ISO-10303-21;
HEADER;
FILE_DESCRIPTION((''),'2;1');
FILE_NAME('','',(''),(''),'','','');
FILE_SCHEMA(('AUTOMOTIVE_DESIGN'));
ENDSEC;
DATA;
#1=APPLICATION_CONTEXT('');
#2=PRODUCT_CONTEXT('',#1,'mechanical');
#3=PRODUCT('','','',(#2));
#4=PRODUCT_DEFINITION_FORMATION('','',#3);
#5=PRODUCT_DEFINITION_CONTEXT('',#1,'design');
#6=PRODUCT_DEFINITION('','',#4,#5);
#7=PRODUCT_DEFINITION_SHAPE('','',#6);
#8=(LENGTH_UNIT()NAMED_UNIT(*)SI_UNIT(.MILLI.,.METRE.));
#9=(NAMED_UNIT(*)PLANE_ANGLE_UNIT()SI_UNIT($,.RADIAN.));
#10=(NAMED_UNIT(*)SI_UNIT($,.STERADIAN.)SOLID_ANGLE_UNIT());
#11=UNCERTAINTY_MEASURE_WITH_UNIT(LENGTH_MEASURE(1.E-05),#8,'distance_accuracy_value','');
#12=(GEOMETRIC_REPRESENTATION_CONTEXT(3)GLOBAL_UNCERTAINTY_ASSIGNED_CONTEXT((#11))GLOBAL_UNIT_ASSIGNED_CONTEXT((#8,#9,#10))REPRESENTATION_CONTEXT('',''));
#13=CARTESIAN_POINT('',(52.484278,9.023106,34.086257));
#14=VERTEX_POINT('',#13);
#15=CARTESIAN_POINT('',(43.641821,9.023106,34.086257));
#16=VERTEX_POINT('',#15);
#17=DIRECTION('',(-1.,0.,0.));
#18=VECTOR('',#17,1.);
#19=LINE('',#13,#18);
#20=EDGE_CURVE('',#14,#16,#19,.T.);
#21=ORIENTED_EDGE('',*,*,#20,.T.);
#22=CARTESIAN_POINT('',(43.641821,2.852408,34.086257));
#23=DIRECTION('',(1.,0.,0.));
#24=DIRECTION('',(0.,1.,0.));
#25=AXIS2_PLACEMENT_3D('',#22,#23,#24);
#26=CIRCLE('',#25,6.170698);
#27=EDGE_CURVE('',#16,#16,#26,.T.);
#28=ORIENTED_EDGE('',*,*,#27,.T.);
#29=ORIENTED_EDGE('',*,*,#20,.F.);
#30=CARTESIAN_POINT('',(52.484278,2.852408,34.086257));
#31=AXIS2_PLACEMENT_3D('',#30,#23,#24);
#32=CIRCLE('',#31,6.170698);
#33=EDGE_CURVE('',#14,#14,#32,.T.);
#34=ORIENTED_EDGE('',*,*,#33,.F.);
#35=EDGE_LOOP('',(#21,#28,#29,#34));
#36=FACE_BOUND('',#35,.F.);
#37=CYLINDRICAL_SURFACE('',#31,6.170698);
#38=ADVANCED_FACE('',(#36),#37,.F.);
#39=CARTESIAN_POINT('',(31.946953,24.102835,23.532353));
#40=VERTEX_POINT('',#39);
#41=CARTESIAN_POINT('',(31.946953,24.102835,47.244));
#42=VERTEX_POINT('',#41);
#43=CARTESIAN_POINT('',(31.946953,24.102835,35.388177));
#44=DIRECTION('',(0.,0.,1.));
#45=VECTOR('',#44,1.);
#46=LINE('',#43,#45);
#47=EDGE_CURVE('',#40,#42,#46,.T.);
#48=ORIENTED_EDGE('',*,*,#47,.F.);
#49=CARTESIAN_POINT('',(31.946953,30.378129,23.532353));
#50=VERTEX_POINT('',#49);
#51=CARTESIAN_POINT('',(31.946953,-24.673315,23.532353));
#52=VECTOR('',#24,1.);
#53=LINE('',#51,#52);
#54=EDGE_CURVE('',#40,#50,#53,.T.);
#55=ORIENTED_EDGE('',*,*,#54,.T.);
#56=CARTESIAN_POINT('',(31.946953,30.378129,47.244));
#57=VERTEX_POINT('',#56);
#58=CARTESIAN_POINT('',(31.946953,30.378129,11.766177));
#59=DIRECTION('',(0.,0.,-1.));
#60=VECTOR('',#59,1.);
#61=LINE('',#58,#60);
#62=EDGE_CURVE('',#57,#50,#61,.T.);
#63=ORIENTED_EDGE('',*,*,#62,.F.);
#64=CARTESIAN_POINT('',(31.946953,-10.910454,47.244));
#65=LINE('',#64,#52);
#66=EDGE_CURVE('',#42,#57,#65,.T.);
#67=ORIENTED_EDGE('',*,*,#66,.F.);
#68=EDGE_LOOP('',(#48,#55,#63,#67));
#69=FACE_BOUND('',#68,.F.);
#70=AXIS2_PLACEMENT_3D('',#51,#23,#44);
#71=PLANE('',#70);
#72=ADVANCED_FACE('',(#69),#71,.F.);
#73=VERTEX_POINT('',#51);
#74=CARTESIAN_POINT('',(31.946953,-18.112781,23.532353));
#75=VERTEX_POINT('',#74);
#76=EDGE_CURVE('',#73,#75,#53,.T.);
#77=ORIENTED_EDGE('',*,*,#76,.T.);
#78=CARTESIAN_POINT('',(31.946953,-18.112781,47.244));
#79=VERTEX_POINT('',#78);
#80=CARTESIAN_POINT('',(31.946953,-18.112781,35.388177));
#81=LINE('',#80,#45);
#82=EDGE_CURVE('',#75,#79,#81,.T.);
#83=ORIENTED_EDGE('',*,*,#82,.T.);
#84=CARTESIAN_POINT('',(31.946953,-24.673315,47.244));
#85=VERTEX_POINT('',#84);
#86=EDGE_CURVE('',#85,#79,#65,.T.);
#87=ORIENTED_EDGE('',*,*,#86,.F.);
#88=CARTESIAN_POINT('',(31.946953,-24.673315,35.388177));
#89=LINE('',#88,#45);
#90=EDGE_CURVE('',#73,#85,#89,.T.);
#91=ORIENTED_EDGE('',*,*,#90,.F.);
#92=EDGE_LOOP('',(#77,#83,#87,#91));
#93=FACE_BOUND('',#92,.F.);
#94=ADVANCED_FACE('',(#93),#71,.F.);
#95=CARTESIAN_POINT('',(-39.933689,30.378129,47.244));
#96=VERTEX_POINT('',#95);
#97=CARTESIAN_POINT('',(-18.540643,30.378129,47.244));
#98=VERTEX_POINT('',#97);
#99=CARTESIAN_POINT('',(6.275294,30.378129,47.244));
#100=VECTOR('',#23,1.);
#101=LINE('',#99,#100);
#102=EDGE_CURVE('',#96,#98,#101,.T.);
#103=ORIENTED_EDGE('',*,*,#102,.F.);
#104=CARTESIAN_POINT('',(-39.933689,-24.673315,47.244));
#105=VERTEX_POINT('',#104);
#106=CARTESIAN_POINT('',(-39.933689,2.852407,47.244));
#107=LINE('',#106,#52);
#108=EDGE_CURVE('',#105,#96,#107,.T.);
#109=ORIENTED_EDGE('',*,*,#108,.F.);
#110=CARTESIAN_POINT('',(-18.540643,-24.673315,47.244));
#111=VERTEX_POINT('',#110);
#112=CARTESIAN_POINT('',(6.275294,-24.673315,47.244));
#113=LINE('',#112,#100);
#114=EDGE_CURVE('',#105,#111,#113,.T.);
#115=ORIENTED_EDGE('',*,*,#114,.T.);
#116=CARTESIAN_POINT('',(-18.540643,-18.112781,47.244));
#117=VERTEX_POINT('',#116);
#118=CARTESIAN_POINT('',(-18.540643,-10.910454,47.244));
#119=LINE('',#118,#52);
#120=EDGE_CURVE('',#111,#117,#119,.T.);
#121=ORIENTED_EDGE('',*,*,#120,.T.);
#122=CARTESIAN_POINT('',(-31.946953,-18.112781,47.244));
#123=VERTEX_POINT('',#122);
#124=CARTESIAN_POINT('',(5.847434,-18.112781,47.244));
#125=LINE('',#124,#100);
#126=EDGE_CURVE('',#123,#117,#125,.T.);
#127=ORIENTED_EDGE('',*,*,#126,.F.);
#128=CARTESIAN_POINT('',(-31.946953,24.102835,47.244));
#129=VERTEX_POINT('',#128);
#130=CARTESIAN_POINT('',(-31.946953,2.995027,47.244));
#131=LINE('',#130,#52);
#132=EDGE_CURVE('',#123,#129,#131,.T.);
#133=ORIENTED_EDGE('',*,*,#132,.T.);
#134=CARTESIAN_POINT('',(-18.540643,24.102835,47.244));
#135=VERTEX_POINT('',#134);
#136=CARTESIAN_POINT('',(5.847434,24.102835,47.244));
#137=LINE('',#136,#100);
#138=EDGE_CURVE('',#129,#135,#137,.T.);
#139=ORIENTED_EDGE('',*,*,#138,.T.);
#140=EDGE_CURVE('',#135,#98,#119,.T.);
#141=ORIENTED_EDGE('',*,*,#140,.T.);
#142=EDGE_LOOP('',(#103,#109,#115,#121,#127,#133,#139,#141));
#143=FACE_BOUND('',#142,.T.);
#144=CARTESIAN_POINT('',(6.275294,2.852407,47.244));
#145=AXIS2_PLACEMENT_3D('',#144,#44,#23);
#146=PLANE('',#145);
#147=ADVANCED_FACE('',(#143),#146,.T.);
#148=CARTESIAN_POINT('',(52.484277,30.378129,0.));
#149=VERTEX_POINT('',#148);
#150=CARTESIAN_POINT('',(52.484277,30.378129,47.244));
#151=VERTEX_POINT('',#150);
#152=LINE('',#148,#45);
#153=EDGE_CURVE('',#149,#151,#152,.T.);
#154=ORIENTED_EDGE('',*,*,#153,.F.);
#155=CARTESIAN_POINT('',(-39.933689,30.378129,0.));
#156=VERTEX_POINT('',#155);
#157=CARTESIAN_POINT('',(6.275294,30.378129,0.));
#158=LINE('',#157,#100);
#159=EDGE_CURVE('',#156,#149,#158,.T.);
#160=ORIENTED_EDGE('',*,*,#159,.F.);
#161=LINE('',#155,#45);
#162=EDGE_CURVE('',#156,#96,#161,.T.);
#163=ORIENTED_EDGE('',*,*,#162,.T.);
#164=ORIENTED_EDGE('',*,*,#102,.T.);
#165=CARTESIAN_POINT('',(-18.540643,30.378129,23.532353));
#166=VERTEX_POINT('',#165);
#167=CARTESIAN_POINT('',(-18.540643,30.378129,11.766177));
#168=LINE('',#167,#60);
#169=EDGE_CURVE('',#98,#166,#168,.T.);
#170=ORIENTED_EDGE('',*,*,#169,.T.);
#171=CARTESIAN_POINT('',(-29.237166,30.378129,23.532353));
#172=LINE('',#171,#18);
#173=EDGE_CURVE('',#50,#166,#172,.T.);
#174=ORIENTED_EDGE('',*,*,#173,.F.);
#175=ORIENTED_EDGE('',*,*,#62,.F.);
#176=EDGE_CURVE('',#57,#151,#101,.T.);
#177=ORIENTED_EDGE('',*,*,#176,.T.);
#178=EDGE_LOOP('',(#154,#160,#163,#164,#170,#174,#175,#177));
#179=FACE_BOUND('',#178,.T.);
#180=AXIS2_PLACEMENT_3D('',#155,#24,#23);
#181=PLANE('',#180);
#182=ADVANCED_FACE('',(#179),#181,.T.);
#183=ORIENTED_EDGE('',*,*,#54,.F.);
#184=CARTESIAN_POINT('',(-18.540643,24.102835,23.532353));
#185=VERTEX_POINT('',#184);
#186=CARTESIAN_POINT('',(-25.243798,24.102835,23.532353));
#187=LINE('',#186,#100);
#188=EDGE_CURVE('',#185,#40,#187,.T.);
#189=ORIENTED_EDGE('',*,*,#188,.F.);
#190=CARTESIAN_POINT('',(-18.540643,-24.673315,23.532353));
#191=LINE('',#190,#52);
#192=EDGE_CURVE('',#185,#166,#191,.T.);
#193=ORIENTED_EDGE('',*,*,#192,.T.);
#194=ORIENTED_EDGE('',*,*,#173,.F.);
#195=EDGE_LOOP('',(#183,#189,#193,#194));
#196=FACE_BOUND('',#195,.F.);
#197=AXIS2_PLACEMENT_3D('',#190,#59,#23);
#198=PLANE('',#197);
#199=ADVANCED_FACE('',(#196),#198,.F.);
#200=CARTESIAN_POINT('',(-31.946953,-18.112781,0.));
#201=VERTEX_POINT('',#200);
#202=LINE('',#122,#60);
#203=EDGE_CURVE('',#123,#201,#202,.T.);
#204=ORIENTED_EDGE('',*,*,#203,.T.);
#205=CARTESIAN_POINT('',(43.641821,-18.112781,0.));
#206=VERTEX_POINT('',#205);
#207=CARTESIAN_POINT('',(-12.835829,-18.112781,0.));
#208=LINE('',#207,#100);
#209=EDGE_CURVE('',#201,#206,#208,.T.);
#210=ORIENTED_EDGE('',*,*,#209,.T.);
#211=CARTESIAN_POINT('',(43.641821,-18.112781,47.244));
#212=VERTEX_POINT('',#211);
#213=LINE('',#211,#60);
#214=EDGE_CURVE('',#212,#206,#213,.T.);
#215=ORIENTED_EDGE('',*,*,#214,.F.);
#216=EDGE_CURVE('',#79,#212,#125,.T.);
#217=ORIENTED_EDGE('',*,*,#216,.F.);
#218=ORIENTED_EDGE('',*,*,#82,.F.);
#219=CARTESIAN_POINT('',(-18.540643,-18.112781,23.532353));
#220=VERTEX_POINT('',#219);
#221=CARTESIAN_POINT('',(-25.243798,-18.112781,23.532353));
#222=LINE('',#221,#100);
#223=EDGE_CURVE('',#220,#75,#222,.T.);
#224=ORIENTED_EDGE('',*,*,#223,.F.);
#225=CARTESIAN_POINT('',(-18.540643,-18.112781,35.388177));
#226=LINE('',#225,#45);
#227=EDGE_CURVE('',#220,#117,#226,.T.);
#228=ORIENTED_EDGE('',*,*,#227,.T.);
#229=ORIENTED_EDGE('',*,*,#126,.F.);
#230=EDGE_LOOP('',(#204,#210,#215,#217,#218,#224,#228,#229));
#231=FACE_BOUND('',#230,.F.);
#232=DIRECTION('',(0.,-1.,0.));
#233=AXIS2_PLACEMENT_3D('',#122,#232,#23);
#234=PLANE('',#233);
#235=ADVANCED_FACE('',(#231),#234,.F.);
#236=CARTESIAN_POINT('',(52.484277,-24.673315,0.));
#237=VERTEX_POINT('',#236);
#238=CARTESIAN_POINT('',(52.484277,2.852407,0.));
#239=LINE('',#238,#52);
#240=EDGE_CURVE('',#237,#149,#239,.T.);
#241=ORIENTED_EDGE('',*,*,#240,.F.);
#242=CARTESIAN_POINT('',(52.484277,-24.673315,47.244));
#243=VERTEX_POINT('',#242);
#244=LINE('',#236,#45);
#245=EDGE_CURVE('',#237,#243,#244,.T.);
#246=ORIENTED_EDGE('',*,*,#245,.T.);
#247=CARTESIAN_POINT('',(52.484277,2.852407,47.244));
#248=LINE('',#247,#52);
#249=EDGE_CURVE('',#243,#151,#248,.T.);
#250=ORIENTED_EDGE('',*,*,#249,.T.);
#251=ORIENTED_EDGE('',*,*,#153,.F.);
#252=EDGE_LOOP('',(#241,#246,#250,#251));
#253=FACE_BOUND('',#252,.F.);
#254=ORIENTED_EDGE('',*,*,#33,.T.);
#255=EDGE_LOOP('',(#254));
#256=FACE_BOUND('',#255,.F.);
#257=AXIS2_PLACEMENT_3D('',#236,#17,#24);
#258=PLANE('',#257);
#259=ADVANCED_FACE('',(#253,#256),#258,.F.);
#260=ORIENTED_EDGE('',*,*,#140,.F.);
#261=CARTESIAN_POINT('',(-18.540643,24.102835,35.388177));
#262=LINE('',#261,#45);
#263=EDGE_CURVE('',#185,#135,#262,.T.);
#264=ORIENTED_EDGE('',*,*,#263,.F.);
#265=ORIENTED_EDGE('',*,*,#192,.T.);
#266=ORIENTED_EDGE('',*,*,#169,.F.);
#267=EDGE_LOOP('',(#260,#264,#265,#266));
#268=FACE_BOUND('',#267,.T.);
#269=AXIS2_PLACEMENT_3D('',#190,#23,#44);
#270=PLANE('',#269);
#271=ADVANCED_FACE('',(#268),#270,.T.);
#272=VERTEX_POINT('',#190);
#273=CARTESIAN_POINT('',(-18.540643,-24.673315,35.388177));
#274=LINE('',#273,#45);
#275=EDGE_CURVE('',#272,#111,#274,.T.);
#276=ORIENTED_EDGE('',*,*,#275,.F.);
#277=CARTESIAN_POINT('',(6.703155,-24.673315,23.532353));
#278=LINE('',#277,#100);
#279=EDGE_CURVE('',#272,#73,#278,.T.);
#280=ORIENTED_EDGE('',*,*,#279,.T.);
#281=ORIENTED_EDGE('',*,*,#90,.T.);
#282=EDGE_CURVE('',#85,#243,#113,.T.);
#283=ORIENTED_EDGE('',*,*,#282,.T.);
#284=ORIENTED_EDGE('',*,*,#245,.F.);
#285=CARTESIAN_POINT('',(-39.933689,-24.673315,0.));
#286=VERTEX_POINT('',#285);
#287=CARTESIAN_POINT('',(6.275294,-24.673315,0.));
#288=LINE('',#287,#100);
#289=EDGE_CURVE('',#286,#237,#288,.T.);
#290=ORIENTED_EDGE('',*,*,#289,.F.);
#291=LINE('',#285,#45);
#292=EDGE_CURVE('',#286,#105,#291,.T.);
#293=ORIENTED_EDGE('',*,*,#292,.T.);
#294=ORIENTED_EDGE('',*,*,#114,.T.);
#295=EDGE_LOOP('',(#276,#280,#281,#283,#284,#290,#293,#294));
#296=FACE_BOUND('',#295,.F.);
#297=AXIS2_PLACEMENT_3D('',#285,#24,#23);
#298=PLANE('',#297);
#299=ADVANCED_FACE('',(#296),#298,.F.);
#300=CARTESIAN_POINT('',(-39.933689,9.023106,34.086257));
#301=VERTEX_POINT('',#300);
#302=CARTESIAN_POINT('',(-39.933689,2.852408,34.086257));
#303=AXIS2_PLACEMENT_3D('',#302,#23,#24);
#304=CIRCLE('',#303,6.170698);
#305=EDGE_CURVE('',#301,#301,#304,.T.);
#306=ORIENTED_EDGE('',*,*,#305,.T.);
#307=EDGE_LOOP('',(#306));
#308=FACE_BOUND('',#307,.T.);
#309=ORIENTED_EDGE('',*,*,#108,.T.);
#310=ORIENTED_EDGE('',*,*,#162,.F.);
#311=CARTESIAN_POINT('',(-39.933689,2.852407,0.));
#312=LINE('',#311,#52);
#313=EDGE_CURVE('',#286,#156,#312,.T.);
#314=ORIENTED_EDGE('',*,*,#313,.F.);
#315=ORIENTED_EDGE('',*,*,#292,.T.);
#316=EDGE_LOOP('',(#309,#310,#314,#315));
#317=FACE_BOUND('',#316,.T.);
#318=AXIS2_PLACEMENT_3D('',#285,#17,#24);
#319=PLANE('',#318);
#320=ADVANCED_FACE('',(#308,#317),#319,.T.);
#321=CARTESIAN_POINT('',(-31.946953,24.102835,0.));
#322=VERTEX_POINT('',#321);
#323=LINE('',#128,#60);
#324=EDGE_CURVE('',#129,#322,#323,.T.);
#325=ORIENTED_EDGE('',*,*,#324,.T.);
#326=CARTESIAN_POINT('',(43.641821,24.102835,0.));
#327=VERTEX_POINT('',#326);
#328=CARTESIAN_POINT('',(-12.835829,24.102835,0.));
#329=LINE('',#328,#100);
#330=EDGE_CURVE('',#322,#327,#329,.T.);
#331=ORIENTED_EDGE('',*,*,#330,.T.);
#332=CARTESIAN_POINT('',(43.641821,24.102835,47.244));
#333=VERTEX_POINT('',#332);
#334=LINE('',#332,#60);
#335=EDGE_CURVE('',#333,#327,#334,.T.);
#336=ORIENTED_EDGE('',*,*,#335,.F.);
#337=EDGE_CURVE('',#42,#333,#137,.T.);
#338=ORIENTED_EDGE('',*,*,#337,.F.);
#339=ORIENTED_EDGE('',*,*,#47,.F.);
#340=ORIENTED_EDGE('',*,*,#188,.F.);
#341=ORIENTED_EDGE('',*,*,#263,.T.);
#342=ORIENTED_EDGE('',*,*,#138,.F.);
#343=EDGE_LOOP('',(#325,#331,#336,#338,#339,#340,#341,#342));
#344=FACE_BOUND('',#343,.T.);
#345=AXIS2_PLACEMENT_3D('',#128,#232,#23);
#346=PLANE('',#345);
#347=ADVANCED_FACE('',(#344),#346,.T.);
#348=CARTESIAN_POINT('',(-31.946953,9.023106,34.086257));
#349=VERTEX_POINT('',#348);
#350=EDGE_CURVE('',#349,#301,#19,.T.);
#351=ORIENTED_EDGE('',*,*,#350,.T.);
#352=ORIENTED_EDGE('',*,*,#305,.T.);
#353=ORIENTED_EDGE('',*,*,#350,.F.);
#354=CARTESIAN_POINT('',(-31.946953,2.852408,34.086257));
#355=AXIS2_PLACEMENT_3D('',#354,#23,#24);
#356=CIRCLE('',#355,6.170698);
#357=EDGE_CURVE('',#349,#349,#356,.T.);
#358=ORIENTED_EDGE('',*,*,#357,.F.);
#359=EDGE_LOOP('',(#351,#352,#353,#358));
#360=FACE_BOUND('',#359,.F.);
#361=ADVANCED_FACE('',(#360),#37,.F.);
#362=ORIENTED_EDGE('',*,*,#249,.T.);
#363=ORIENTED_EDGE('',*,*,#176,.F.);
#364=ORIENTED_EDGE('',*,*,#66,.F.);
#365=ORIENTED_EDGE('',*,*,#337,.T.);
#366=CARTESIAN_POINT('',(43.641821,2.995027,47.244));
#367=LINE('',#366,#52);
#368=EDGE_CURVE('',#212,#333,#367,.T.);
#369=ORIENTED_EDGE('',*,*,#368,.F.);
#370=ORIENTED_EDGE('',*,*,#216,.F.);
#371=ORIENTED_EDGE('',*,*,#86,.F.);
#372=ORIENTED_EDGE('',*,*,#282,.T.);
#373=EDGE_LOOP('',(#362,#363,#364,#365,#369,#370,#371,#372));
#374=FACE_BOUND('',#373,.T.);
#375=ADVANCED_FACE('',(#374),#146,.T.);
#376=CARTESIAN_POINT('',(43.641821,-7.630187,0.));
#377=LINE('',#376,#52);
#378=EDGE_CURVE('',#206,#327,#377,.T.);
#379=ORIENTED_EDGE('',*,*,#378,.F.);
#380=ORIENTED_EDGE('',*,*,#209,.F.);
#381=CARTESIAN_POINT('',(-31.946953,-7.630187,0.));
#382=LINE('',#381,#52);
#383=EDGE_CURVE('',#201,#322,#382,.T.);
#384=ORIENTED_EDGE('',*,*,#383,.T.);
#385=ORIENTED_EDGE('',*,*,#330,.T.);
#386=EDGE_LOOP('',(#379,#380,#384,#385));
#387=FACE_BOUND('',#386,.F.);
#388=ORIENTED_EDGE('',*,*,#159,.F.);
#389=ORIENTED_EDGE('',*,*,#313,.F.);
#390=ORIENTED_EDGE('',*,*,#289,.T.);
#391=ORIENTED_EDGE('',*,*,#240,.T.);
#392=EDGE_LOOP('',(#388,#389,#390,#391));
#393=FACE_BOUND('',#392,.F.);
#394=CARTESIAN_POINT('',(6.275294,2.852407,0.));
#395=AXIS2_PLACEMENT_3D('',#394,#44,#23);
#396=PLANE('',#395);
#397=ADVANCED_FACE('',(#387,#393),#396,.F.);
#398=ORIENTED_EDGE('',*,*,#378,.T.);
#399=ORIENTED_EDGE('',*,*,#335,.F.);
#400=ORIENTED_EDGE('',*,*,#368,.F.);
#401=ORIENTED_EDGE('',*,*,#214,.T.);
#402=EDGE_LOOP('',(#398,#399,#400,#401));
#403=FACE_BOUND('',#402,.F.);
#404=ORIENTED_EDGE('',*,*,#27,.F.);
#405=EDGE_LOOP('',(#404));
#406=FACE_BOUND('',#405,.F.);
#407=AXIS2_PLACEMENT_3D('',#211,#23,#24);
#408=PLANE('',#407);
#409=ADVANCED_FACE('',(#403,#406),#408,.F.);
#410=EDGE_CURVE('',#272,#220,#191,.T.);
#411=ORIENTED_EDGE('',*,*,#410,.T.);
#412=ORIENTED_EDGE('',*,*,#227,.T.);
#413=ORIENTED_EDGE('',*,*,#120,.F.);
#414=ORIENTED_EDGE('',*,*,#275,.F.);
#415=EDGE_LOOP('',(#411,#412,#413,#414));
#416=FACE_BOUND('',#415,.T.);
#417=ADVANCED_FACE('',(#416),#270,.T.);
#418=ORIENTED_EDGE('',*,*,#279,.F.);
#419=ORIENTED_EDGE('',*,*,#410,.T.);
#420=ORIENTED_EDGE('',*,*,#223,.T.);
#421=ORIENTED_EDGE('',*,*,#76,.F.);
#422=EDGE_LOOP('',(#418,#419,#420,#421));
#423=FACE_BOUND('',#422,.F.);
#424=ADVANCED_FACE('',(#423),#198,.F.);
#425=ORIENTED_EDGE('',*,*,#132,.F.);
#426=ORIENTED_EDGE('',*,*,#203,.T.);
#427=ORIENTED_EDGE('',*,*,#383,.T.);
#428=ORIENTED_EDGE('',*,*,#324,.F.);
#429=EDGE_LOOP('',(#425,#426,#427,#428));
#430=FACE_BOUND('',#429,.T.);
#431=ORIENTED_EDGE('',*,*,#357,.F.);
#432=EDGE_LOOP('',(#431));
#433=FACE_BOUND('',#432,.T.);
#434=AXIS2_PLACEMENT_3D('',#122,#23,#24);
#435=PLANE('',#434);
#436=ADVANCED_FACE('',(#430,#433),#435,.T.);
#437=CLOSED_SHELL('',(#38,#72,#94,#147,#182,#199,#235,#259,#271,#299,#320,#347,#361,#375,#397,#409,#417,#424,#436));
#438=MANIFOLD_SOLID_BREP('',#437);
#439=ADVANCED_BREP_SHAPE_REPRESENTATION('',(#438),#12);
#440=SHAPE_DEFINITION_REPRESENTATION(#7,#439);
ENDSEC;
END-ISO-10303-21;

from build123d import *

# Parameters (mm, degrees)
F0_W     = 92.417967
F0_H     = 55.051444
F1_DEPTH = 47.244
F2_W     = 75.588774
F2_H     = 42.215616
F3_DEPTH = 47.245
F4_W     = 50.487596
F4_H     = 23.711647
F5_DEPTH = 55.052444
F6_R     = 6.170698
F7_DEPTH = 92.418967


with BuildPart() as f1:
    # F0 (on Top) → F1 (new body)
    with BuildSketch(Plane.XY):
        with Locations((6.275294, 2.852407)):
            Rectangle(F0_W, F0_H)
    extrude(amount=F1_DEPTH)

    # F2 (on face) → F3 (cut, through all)
    with BuildSketch(Plane.XY.offset(47.244)):
        with Locations((5.847434, 2.995027)):
            Rectangle(F2_W, F2_H)
    extrude(amount=-F3_DEPTH, mode=Mode.SUBTRACT)

    # F4 (on face) → F5 (cut, through all)
    with BuildSketch(Plane.XZ.offset(24.673315)):
        with Locations((6.703155, 35.388177)):
            Rectangle(F4_W, F4_H)
    extrude(amount=-F5_DEPTH, mode=Mode.SUBTRACT)

    # F6 (on face) → F7 (cut, through all)
    with BuildSketch(Plane.YZ.offset(52.484278)):
        with Locations((2.852408, 34.086257)):
            Circle(F6_R)
    extrude(amount=-F7_DEPTH, mode=Mode.SUBTRACT)


solid = f1.part
